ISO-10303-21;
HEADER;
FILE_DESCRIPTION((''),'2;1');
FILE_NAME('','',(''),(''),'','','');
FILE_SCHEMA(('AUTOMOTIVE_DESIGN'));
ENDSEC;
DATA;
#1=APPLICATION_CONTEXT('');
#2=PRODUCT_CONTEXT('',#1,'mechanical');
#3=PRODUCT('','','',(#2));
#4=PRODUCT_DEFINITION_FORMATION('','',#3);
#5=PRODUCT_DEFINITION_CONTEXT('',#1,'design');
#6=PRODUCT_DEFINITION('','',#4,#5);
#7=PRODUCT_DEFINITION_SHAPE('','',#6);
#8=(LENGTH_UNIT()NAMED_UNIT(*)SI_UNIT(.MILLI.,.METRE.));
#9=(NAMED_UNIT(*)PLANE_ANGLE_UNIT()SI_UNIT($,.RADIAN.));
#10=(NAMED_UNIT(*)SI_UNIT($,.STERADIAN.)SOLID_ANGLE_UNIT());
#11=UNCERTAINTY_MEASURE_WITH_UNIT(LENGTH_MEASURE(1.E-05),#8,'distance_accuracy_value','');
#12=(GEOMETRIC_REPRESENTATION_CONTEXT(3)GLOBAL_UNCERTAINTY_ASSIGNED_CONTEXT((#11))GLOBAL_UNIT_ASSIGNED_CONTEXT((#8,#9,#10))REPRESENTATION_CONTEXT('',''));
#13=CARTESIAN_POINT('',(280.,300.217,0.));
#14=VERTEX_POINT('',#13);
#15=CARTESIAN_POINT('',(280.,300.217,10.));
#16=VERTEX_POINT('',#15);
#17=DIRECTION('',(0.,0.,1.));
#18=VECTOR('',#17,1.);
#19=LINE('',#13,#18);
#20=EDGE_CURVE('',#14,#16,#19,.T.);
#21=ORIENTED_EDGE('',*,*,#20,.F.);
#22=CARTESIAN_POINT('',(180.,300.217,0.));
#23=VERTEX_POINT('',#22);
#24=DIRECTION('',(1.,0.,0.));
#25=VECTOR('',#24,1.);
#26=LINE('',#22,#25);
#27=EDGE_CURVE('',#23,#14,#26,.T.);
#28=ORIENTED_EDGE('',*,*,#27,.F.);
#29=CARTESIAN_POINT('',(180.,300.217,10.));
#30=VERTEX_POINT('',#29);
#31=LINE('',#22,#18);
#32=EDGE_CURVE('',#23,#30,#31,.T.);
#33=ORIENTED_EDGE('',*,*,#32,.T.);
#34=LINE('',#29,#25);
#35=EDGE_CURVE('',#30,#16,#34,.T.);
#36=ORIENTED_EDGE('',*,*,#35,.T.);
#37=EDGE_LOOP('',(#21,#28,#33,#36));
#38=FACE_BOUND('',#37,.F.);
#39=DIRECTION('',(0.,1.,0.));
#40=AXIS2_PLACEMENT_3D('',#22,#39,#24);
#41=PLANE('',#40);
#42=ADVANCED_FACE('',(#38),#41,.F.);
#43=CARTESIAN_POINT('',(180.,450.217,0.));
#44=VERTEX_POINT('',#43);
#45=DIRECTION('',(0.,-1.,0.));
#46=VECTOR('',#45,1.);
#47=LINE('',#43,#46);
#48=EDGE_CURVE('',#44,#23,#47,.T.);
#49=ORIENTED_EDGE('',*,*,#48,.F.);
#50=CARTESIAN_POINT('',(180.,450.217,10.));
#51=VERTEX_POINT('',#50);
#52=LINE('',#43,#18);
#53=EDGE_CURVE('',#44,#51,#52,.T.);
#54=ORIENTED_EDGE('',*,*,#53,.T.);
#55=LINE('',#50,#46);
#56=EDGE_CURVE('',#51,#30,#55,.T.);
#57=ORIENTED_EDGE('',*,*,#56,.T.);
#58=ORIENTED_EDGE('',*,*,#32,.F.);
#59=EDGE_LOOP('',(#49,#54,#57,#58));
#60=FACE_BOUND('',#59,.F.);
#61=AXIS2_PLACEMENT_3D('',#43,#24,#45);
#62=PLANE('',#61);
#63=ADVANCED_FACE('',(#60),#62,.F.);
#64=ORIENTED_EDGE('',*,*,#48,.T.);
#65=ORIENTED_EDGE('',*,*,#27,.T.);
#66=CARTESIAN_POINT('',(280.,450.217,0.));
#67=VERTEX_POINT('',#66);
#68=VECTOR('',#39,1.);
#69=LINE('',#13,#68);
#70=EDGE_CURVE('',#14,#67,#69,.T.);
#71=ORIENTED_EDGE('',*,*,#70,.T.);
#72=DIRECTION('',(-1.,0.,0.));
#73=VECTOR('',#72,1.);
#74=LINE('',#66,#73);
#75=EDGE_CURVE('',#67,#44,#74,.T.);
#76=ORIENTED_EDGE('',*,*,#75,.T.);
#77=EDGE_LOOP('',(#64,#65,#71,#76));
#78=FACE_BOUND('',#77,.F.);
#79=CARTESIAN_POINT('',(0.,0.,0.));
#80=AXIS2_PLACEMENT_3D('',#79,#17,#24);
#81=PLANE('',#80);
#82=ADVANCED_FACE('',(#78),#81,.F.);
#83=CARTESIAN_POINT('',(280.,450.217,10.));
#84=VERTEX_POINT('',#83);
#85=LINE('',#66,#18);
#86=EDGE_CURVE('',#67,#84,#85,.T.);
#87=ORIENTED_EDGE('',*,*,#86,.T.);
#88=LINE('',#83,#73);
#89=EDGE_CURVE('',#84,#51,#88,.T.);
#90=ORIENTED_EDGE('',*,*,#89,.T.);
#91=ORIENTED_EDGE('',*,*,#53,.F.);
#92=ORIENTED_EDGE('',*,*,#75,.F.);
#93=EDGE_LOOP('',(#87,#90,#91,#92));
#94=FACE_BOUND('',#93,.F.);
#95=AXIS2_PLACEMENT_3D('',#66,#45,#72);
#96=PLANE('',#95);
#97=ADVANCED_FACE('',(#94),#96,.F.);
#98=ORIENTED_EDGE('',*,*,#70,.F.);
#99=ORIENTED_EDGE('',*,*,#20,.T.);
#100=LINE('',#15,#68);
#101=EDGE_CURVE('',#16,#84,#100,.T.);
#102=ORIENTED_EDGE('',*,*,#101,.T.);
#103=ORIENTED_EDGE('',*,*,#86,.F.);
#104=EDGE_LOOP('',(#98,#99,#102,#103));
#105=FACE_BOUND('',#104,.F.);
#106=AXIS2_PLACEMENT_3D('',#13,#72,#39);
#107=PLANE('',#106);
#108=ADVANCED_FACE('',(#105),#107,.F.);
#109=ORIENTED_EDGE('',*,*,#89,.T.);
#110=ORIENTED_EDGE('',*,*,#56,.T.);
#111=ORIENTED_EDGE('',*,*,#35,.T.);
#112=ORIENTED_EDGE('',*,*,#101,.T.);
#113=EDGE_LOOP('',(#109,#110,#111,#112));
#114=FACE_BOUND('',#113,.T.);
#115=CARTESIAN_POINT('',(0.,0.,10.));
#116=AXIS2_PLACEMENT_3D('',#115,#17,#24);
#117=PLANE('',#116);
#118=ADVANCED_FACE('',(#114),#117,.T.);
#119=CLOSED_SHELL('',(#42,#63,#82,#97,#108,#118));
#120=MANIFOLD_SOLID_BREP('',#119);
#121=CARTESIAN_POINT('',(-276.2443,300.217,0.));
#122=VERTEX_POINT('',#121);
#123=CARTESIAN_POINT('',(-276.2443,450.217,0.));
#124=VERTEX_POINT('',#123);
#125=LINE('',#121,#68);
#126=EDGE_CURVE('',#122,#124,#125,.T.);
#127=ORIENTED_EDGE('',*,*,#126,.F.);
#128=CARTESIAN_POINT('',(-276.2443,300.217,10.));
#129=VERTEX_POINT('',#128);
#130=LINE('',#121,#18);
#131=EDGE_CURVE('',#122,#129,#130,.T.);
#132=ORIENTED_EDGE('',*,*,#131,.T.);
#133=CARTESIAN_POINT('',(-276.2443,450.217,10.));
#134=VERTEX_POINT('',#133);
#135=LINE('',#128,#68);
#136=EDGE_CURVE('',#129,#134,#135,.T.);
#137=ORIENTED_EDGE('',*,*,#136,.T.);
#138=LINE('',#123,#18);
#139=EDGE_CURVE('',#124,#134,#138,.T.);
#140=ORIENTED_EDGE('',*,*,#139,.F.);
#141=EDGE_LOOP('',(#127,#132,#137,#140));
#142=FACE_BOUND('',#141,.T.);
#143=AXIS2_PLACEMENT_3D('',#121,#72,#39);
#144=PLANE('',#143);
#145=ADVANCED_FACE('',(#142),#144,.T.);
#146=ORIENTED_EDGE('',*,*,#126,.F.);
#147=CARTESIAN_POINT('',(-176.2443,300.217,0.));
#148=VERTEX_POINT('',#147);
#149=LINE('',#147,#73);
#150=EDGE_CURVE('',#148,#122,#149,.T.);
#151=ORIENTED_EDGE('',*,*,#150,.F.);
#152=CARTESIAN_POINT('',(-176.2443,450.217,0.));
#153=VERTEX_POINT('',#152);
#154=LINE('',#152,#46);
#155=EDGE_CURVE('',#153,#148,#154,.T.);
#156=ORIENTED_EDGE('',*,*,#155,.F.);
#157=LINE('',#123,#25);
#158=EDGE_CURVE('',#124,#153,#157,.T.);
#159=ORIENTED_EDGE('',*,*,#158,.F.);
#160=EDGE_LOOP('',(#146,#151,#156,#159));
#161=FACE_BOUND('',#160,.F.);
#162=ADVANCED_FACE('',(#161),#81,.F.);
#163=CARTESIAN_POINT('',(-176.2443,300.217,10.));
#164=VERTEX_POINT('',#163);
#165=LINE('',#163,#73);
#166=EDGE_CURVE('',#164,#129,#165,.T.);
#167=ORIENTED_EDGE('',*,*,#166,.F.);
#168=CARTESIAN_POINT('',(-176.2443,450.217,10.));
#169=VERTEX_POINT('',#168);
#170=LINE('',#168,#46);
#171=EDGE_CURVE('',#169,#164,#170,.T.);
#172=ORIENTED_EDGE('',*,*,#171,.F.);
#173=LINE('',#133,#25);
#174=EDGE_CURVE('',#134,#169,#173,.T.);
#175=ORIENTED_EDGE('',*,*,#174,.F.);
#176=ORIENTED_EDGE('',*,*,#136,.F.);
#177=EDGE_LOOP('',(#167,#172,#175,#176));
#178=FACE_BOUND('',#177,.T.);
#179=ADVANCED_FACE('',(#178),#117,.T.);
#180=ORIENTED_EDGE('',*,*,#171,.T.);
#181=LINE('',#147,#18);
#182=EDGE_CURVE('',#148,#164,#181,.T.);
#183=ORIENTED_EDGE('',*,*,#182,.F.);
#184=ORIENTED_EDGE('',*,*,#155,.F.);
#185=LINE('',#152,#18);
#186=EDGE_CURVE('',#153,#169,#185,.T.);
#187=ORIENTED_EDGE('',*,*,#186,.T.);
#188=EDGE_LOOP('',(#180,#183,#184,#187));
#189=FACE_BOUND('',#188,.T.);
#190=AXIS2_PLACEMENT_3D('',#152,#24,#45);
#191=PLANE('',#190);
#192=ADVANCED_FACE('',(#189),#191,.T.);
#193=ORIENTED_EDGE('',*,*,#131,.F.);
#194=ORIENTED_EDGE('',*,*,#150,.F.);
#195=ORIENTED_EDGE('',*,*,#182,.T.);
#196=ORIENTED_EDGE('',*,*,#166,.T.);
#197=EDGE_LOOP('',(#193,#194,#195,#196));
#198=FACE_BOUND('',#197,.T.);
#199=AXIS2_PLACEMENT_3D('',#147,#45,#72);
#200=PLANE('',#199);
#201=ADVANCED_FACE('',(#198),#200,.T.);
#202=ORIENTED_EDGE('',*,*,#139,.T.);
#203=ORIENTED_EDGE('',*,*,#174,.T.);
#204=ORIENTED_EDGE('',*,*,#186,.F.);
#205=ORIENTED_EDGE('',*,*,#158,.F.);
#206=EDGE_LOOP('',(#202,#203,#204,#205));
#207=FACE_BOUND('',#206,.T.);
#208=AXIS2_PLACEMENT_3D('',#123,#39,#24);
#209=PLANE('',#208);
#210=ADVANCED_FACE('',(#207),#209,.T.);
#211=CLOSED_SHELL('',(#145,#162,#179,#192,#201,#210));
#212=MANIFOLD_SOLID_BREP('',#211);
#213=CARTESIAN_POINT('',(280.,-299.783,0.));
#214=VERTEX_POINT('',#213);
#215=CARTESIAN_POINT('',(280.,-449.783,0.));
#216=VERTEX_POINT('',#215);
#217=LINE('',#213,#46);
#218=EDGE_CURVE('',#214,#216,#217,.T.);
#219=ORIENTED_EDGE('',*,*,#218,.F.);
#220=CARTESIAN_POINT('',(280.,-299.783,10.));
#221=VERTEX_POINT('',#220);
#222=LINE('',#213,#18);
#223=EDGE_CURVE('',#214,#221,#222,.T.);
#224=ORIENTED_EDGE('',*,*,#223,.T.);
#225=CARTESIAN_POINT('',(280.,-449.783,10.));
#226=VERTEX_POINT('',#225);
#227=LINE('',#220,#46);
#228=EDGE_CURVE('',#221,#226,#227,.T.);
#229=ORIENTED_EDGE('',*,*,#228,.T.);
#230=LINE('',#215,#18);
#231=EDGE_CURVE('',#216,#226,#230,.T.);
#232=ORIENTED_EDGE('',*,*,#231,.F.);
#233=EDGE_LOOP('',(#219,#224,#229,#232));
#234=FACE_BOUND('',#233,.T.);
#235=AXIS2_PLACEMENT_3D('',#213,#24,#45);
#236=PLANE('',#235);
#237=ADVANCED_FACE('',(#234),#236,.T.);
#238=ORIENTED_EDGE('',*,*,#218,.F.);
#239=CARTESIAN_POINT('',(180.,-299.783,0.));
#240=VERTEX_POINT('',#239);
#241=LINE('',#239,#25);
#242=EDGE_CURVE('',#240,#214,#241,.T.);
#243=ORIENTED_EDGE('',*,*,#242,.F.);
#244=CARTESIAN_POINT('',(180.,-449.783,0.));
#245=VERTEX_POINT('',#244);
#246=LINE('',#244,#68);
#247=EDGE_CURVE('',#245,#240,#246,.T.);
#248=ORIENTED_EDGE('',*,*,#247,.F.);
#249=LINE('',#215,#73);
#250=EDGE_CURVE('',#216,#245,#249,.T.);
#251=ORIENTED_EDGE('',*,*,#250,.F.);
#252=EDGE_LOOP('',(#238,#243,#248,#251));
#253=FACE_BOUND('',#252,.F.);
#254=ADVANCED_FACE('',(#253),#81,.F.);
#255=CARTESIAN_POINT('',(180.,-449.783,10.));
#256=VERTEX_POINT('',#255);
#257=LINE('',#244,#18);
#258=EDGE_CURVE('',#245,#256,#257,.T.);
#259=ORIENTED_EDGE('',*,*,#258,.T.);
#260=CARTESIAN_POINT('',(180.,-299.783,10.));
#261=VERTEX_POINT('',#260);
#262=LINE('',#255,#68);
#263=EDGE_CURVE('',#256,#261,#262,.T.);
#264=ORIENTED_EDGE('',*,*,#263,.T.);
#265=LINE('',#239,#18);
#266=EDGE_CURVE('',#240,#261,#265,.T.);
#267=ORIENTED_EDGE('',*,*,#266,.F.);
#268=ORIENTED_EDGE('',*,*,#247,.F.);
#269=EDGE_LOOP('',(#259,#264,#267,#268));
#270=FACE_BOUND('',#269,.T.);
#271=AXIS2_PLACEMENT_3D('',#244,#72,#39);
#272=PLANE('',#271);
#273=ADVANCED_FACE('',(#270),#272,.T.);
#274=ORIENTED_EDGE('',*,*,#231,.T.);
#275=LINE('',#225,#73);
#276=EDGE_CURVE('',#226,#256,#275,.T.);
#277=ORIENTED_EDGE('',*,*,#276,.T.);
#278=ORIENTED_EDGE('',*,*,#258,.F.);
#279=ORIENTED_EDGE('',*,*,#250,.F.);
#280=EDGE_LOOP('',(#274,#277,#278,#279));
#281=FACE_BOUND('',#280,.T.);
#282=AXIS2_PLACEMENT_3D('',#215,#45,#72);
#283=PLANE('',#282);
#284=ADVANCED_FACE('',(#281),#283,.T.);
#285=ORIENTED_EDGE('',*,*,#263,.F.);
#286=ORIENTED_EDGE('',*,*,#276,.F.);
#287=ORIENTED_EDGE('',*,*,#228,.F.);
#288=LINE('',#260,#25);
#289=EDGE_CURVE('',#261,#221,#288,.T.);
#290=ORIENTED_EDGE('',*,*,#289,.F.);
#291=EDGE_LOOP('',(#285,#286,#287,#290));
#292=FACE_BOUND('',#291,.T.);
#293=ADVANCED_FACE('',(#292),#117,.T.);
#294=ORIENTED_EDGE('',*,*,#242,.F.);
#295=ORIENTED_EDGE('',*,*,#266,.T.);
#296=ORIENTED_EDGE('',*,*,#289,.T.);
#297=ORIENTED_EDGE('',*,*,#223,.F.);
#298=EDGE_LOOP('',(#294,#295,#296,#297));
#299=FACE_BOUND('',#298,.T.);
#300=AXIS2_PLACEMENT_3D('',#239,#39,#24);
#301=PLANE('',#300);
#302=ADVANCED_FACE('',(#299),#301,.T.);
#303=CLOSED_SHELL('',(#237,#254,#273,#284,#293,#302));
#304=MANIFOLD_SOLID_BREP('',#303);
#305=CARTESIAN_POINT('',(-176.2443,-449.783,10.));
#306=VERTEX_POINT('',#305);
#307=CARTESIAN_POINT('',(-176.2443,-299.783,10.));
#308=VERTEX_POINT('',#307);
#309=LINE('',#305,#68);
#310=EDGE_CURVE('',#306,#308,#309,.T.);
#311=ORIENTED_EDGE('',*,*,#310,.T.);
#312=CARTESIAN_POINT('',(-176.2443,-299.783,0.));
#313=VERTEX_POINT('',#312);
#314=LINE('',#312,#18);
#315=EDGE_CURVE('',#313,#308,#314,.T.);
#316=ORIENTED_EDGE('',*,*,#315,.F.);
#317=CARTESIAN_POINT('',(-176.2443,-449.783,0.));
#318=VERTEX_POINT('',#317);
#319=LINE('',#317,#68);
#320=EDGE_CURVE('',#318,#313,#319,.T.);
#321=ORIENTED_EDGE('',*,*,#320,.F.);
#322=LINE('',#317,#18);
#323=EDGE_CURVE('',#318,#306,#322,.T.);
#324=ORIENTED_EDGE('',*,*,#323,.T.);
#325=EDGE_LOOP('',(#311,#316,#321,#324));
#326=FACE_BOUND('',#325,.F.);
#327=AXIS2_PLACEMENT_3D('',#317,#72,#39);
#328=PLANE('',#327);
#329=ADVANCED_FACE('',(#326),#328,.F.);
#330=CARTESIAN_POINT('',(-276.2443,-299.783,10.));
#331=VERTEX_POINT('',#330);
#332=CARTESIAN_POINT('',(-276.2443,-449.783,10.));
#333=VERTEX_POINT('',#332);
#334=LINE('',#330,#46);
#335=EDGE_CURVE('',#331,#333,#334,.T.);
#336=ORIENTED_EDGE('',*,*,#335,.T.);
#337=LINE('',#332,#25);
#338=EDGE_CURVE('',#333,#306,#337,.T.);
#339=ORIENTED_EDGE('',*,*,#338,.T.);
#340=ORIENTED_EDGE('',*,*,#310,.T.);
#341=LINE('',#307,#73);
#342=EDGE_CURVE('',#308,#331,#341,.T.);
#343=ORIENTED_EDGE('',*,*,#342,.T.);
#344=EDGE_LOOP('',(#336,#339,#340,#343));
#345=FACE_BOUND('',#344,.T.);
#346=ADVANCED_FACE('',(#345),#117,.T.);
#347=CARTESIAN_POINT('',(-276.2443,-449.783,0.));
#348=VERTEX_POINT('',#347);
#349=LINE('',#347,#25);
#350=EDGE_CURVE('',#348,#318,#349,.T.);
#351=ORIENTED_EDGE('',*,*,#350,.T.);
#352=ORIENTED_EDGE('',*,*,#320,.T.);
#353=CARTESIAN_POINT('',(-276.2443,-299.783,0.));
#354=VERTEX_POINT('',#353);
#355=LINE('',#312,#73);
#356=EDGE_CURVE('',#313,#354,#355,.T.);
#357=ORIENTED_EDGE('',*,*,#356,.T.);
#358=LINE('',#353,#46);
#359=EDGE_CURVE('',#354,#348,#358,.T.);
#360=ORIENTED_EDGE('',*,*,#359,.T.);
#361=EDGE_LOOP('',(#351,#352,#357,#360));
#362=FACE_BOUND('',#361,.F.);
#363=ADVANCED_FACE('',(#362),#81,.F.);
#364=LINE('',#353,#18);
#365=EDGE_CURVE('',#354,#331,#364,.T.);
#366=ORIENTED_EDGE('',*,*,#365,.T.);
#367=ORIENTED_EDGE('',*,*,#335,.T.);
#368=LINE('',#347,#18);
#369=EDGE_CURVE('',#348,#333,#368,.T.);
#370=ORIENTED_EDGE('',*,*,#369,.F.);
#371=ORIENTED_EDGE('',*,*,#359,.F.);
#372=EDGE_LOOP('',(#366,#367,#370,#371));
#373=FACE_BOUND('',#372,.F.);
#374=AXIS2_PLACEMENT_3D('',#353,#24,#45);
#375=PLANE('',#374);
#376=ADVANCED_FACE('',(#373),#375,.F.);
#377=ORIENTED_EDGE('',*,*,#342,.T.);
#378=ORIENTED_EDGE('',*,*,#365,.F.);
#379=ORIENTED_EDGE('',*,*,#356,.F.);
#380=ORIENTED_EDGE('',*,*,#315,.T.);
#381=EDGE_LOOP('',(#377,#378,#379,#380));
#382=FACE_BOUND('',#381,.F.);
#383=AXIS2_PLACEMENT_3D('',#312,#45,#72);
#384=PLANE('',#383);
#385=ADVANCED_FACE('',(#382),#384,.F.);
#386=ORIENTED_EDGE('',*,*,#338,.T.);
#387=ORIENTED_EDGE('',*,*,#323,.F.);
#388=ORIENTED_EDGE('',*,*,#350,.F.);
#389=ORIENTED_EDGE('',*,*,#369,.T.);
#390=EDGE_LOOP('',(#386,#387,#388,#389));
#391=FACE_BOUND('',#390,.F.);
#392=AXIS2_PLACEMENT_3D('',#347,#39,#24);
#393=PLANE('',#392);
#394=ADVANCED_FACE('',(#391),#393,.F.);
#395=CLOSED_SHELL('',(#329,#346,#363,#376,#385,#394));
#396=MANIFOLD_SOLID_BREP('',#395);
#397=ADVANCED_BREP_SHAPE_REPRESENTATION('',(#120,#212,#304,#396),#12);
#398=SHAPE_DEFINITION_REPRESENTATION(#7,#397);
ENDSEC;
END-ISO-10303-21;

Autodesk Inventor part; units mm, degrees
ref_plane "YZ Plane" through (0, 0, 0) normal (1, 0, 0) x (0, 1, 0)
ref_plane "XZ Plane" through (0, 0, 0) normal (0, 1, 0) x (-1, 0, 0)
ref_plane "XY Plane" through (0, 0, 0) normal (0, 0, 1) x (1, 0, 0)
ref_plane "Plano de trabajo1" through (0, 0, 0) normal (0, 0, 1) x (1, 0, 0)
sketch "Boceto1" plane through (0, 0, 0) normal (0, 0, 1) x (1, 0, 0)
  line L0 (-296.2443, -449.783) -> (-296.2443, -299.783) projected
  line L1 (-296.2443, 300.217) -> (-296.2443, 450.217) projected
  line L2 (303.7557, 450.217) -> (303.7557, 300.217) projected
  line L3 (303.7557, -299.783) -> (303.7557, -449.783) projected
  line L4 (-276.2443, -449.783) -> (-176.2443, -449.783)
  line L5 (-176.2443, -449.783) -> (-176.2443, -299.783)
  line L6 (-176.2443, -299.783) -> (-276.2443, -299.783)
  line L7 (-276.2443, -299.783) -> (-276.2443, -449.783)
  line L8 (280, -449.783) -> (180, -449.783)
  line L9 (180, -449.783) -> (180, -299.783)
  line L10 (180, -299.783) -> (280, -299.783)
  line L11 (280, -299.783) -> (280, -449.783)
  line L12 (-276.2443, 450.217) -> (-176.2443, 450.217)
  line L13 (-176.2443, 450.217) -> (-176.2443, 300.217)
  line L14 (-176.2443, 300.217) -> (-276.2443, 300.217)
  line L15 (-276.2443, 300.217) -> (-276.2443, 450.217)
  line L16 (280, 450.217) -> (180, 450.217)
  line L17 (180, 450.217) -> (180, 300.217)
  line L18 (180, 300.217) -> (280, 300.217)
  line L19 (280, 300.217) -> (280, 450.217)
  line L20 (300, -450) -> (300, -300) projected
  line L21 (300, 300) -> (300, 450) projected
  point P0 (0, 0)
  dimension "d0" = 100
  dimension "d1" = 100
  dimension "d2" = 100
  dimension "d3" = 100
  dimension "d4" = 20
  dimension "d5" = 20
  dimension "d6" = 20
extrude "Extrusión1" add sketch "Boceto1" along normal blind 10
properties part number "BaseMotor"
